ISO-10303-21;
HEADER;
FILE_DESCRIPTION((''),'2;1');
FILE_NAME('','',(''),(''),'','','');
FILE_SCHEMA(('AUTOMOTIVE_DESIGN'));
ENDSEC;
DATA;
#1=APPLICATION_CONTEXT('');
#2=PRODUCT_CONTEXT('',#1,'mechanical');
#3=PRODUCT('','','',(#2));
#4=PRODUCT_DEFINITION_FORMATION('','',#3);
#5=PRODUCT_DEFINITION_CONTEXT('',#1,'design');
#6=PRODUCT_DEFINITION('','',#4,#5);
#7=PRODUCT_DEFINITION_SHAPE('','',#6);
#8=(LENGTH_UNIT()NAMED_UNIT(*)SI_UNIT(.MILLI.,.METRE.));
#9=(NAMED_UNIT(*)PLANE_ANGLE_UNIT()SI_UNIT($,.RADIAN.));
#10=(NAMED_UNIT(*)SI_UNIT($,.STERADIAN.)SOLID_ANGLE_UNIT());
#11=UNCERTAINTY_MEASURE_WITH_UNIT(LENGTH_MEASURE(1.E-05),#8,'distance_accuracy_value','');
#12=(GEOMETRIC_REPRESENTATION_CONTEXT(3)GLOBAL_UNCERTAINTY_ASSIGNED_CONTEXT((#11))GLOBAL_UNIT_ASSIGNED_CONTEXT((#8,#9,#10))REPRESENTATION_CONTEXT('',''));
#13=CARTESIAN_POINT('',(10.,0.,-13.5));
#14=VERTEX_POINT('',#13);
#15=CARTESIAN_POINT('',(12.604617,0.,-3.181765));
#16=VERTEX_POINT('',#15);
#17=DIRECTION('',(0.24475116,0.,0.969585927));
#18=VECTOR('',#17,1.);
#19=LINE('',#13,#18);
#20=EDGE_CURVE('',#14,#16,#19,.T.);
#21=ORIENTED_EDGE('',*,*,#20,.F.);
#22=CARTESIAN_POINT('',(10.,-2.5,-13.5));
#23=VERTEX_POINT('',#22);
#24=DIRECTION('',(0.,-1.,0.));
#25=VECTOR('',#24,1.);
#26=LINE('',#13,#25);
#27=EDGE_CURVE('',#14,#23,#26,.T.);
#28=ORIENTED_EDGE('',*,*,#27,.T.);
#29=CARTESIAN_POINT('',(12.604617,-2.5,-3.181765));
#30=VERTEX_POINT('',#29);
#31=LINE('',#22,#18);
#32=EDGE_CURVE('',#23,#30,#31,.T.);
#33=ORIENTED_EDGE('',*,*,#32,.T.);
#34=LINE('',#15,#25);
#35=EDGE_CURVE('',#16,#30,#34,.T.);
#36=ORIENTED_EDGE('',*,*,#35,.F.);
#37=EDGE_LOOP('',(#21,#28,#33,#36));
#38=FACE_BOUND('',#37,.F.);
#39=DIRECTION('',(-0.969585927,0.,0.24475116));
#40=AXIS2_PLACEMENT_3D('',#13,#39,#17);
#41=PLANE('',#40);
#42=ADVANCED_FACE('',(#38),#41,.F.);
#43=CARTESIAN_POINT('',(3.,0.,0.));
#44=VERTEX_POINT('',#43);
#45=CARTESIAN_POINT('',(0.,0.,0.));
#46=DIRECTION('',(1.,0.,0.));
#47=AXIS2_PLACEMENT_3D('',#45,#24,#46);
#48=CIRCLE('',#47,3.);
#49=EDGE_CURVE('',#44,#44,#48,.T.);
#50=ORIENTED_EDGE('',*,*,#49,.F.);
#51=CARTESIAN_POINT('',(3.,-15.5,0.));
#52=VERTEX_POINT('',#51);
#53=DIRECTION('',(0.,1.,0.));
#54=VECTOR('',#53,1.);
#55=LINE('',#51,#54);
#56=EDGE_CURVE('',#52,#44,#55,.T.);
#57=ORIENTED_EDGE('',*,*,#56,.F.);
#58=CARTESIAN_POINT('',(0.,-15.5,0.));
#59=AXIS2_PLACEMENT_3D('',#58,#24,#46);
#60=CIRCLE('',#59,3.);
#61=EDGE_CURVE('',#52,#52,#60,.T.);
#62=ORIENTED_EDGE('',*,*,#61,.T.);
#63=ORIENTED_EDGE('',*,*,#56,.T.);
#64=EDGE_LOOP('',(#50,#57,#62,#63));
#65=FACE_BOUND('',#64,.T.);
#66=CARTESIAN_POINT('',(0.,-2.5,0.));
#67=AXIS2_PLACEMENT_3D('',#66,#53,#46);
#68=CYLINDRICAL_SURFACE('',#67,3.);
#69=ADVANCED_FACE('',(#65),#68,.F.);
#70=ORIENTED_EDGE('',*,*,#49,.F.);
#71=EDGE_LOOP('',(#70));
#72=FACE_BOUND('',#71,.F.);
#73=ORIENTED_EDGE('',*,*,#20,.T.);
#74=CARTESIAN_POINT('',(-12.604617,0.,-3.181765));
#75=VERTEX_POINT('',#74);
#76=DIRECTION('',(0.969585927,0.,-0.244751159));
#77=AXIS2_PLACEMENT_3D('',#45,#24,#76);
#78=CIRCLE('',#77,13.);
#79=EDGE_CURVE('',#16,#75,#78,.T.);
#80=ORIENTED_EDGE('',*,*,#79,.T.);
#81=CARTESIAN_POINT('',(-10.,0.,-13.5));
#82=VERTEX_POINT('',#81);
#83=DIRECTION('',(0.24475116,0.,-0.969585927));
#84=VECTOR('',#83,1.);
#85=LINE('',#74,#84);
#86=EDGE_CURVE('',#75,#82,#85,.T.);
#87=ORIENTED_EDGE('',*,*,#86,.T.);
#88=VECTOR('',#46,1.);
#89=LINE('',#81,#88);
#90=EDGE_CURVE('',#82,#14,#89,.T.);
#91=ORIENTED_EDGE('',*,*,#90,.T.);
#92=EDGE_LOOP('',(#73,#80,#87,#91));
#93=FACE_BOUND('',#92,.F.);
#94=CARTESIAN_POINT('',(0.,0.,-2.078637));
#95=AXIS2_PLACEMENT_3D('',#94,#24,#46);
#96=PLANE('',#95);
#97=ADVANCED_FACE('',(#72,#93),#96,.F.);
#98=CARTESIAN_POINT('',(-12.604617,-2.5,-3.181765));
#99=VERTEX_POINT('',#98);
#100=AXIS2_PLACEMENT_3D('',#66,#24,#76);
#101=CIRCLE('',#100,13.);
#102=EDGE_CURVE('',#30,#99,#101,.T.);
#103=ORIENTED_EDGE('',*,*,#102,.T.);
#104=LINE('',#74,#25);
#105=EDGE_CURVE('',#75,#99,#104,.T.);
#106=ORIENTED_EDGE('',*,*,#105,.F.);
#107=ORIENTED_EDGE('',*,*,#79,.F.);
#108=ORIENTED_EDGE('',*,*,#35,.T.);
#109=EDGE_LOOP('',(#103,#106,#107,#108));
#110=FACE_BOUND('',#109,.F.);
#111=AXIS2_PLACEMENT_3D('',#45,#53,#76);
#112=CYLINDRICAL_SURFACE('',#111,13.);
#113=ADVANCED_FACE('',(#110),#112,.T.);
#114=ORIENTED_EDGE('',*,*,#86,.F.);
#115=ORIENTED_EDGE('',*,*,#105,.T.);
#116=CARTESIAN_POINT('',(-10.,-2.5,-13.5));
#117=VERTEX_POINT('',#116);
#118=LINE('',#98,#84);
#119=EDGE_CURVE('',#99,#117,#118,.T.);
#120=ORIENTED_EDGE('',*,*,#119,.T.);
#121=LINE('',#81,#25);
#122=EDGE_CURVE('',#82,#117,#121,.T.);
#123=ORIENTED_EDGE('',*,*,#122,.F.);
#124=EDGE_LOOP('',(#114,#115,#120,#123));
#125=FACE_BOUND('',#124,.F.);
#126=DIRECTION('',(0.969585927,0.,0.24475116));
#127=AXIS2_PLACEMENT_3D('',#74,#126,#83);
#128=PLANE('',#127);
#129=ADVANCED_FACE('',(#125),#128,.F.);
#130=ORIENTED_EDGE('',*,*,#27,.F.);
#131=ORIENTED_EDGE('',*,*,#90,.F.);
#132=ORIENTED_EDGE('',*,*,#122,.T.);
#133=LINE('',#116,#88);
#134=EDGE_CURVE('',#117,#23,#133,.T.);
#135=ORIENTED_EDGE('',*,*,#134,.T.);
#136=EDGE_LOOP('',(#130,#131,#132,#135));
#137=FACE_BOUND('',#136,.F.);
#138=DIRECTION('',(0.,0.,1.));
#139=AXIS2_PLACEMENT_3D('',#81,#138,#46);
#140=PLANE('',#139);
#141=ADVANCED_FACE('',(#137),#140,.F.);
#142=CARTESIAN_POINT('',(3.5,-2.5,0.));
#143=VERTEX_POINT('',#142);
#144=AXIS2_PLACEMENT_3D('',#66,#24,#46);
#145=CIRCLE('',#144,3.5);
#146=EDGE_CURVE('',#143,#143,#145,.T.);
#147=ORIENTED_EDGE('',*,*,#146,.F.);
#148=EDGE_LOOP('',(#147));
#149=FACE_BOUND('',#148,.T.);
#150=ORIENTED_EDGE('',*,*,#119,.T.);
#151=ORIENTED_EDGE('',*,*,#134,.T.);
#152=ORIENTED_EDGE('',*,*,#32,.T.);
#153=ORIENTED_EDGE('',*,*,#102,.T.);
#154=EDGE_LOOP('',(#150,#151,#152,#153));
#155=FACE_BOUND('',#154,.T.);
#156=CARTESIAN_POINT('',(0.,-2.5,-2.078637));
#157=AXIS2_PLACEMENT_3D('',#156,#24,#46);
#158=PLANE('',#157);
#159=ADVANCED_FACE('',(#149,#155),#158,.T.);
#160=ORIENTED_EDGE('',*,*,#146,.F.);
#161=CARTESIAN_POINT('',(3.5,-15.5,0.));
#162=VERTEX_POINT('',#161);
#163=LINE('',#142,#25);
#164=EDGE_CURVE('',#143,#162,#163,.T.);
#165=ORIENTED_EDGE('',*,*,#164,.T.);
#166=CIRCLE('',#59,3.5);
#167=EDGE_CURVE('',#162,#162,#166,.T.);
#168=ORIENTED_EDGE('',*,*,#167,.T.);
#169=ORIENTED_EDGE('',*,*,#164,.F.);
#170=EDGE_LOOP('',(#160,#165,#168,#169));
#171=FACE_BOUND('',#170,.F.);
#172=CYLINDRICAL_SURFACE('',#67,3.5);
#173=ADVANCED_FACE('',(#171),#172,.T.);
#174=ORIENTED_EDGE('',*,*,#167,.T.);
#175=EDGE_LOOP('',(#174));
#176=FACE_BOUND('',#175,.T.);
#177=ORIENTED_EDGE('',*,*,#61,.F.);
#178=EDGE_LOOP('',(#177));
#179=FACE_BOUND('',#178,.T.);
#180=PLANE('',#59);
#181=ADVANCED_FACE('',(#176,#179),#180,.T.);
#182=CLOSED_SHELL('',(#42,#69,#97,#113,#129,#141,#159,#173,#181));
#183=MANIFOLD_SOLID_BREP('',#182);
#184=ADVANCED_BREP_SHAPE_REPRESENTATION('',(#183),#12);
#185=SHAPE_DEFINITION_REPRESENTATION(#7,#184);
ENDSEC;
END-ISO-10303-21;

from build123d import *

# Parameters (mm, degrees)
F0_R     = 3
F1_DEPTH = 2.5
F2_R     = 3.5
F2_R_2   = 3
F3_DEPTH = 13


with BuildPart() as f1:
    # F0 (on Front) → F1 (new body)
    with BuildSketch(Plane.XZ):
        with BuildLine():
            Line((10, -13.5), (12.604617, -3.181765))
            ThreePointArc((12.604617, -3.181765), (0, 13), (-12.604617, -3.181765))
            Line((-12.604617, -3.181765), (-10, -13.5))
            Line((-10, -13.5), (10, -13.5))
        make_face()
        Circle(F0_R, mode=Mode.SUBTRACT)
    extrude(amount=F1_DEPTH)

    # F2 (on face) → F3 (join)
    with BuildSketch(Plane.XZ.offset(2.5)):
        Circle(F2_R)
        Circle(F2_R_2, mode=Mode.SUBTRACT)
    extrude(amount=F3_DEPTH)


solid = f1.part
